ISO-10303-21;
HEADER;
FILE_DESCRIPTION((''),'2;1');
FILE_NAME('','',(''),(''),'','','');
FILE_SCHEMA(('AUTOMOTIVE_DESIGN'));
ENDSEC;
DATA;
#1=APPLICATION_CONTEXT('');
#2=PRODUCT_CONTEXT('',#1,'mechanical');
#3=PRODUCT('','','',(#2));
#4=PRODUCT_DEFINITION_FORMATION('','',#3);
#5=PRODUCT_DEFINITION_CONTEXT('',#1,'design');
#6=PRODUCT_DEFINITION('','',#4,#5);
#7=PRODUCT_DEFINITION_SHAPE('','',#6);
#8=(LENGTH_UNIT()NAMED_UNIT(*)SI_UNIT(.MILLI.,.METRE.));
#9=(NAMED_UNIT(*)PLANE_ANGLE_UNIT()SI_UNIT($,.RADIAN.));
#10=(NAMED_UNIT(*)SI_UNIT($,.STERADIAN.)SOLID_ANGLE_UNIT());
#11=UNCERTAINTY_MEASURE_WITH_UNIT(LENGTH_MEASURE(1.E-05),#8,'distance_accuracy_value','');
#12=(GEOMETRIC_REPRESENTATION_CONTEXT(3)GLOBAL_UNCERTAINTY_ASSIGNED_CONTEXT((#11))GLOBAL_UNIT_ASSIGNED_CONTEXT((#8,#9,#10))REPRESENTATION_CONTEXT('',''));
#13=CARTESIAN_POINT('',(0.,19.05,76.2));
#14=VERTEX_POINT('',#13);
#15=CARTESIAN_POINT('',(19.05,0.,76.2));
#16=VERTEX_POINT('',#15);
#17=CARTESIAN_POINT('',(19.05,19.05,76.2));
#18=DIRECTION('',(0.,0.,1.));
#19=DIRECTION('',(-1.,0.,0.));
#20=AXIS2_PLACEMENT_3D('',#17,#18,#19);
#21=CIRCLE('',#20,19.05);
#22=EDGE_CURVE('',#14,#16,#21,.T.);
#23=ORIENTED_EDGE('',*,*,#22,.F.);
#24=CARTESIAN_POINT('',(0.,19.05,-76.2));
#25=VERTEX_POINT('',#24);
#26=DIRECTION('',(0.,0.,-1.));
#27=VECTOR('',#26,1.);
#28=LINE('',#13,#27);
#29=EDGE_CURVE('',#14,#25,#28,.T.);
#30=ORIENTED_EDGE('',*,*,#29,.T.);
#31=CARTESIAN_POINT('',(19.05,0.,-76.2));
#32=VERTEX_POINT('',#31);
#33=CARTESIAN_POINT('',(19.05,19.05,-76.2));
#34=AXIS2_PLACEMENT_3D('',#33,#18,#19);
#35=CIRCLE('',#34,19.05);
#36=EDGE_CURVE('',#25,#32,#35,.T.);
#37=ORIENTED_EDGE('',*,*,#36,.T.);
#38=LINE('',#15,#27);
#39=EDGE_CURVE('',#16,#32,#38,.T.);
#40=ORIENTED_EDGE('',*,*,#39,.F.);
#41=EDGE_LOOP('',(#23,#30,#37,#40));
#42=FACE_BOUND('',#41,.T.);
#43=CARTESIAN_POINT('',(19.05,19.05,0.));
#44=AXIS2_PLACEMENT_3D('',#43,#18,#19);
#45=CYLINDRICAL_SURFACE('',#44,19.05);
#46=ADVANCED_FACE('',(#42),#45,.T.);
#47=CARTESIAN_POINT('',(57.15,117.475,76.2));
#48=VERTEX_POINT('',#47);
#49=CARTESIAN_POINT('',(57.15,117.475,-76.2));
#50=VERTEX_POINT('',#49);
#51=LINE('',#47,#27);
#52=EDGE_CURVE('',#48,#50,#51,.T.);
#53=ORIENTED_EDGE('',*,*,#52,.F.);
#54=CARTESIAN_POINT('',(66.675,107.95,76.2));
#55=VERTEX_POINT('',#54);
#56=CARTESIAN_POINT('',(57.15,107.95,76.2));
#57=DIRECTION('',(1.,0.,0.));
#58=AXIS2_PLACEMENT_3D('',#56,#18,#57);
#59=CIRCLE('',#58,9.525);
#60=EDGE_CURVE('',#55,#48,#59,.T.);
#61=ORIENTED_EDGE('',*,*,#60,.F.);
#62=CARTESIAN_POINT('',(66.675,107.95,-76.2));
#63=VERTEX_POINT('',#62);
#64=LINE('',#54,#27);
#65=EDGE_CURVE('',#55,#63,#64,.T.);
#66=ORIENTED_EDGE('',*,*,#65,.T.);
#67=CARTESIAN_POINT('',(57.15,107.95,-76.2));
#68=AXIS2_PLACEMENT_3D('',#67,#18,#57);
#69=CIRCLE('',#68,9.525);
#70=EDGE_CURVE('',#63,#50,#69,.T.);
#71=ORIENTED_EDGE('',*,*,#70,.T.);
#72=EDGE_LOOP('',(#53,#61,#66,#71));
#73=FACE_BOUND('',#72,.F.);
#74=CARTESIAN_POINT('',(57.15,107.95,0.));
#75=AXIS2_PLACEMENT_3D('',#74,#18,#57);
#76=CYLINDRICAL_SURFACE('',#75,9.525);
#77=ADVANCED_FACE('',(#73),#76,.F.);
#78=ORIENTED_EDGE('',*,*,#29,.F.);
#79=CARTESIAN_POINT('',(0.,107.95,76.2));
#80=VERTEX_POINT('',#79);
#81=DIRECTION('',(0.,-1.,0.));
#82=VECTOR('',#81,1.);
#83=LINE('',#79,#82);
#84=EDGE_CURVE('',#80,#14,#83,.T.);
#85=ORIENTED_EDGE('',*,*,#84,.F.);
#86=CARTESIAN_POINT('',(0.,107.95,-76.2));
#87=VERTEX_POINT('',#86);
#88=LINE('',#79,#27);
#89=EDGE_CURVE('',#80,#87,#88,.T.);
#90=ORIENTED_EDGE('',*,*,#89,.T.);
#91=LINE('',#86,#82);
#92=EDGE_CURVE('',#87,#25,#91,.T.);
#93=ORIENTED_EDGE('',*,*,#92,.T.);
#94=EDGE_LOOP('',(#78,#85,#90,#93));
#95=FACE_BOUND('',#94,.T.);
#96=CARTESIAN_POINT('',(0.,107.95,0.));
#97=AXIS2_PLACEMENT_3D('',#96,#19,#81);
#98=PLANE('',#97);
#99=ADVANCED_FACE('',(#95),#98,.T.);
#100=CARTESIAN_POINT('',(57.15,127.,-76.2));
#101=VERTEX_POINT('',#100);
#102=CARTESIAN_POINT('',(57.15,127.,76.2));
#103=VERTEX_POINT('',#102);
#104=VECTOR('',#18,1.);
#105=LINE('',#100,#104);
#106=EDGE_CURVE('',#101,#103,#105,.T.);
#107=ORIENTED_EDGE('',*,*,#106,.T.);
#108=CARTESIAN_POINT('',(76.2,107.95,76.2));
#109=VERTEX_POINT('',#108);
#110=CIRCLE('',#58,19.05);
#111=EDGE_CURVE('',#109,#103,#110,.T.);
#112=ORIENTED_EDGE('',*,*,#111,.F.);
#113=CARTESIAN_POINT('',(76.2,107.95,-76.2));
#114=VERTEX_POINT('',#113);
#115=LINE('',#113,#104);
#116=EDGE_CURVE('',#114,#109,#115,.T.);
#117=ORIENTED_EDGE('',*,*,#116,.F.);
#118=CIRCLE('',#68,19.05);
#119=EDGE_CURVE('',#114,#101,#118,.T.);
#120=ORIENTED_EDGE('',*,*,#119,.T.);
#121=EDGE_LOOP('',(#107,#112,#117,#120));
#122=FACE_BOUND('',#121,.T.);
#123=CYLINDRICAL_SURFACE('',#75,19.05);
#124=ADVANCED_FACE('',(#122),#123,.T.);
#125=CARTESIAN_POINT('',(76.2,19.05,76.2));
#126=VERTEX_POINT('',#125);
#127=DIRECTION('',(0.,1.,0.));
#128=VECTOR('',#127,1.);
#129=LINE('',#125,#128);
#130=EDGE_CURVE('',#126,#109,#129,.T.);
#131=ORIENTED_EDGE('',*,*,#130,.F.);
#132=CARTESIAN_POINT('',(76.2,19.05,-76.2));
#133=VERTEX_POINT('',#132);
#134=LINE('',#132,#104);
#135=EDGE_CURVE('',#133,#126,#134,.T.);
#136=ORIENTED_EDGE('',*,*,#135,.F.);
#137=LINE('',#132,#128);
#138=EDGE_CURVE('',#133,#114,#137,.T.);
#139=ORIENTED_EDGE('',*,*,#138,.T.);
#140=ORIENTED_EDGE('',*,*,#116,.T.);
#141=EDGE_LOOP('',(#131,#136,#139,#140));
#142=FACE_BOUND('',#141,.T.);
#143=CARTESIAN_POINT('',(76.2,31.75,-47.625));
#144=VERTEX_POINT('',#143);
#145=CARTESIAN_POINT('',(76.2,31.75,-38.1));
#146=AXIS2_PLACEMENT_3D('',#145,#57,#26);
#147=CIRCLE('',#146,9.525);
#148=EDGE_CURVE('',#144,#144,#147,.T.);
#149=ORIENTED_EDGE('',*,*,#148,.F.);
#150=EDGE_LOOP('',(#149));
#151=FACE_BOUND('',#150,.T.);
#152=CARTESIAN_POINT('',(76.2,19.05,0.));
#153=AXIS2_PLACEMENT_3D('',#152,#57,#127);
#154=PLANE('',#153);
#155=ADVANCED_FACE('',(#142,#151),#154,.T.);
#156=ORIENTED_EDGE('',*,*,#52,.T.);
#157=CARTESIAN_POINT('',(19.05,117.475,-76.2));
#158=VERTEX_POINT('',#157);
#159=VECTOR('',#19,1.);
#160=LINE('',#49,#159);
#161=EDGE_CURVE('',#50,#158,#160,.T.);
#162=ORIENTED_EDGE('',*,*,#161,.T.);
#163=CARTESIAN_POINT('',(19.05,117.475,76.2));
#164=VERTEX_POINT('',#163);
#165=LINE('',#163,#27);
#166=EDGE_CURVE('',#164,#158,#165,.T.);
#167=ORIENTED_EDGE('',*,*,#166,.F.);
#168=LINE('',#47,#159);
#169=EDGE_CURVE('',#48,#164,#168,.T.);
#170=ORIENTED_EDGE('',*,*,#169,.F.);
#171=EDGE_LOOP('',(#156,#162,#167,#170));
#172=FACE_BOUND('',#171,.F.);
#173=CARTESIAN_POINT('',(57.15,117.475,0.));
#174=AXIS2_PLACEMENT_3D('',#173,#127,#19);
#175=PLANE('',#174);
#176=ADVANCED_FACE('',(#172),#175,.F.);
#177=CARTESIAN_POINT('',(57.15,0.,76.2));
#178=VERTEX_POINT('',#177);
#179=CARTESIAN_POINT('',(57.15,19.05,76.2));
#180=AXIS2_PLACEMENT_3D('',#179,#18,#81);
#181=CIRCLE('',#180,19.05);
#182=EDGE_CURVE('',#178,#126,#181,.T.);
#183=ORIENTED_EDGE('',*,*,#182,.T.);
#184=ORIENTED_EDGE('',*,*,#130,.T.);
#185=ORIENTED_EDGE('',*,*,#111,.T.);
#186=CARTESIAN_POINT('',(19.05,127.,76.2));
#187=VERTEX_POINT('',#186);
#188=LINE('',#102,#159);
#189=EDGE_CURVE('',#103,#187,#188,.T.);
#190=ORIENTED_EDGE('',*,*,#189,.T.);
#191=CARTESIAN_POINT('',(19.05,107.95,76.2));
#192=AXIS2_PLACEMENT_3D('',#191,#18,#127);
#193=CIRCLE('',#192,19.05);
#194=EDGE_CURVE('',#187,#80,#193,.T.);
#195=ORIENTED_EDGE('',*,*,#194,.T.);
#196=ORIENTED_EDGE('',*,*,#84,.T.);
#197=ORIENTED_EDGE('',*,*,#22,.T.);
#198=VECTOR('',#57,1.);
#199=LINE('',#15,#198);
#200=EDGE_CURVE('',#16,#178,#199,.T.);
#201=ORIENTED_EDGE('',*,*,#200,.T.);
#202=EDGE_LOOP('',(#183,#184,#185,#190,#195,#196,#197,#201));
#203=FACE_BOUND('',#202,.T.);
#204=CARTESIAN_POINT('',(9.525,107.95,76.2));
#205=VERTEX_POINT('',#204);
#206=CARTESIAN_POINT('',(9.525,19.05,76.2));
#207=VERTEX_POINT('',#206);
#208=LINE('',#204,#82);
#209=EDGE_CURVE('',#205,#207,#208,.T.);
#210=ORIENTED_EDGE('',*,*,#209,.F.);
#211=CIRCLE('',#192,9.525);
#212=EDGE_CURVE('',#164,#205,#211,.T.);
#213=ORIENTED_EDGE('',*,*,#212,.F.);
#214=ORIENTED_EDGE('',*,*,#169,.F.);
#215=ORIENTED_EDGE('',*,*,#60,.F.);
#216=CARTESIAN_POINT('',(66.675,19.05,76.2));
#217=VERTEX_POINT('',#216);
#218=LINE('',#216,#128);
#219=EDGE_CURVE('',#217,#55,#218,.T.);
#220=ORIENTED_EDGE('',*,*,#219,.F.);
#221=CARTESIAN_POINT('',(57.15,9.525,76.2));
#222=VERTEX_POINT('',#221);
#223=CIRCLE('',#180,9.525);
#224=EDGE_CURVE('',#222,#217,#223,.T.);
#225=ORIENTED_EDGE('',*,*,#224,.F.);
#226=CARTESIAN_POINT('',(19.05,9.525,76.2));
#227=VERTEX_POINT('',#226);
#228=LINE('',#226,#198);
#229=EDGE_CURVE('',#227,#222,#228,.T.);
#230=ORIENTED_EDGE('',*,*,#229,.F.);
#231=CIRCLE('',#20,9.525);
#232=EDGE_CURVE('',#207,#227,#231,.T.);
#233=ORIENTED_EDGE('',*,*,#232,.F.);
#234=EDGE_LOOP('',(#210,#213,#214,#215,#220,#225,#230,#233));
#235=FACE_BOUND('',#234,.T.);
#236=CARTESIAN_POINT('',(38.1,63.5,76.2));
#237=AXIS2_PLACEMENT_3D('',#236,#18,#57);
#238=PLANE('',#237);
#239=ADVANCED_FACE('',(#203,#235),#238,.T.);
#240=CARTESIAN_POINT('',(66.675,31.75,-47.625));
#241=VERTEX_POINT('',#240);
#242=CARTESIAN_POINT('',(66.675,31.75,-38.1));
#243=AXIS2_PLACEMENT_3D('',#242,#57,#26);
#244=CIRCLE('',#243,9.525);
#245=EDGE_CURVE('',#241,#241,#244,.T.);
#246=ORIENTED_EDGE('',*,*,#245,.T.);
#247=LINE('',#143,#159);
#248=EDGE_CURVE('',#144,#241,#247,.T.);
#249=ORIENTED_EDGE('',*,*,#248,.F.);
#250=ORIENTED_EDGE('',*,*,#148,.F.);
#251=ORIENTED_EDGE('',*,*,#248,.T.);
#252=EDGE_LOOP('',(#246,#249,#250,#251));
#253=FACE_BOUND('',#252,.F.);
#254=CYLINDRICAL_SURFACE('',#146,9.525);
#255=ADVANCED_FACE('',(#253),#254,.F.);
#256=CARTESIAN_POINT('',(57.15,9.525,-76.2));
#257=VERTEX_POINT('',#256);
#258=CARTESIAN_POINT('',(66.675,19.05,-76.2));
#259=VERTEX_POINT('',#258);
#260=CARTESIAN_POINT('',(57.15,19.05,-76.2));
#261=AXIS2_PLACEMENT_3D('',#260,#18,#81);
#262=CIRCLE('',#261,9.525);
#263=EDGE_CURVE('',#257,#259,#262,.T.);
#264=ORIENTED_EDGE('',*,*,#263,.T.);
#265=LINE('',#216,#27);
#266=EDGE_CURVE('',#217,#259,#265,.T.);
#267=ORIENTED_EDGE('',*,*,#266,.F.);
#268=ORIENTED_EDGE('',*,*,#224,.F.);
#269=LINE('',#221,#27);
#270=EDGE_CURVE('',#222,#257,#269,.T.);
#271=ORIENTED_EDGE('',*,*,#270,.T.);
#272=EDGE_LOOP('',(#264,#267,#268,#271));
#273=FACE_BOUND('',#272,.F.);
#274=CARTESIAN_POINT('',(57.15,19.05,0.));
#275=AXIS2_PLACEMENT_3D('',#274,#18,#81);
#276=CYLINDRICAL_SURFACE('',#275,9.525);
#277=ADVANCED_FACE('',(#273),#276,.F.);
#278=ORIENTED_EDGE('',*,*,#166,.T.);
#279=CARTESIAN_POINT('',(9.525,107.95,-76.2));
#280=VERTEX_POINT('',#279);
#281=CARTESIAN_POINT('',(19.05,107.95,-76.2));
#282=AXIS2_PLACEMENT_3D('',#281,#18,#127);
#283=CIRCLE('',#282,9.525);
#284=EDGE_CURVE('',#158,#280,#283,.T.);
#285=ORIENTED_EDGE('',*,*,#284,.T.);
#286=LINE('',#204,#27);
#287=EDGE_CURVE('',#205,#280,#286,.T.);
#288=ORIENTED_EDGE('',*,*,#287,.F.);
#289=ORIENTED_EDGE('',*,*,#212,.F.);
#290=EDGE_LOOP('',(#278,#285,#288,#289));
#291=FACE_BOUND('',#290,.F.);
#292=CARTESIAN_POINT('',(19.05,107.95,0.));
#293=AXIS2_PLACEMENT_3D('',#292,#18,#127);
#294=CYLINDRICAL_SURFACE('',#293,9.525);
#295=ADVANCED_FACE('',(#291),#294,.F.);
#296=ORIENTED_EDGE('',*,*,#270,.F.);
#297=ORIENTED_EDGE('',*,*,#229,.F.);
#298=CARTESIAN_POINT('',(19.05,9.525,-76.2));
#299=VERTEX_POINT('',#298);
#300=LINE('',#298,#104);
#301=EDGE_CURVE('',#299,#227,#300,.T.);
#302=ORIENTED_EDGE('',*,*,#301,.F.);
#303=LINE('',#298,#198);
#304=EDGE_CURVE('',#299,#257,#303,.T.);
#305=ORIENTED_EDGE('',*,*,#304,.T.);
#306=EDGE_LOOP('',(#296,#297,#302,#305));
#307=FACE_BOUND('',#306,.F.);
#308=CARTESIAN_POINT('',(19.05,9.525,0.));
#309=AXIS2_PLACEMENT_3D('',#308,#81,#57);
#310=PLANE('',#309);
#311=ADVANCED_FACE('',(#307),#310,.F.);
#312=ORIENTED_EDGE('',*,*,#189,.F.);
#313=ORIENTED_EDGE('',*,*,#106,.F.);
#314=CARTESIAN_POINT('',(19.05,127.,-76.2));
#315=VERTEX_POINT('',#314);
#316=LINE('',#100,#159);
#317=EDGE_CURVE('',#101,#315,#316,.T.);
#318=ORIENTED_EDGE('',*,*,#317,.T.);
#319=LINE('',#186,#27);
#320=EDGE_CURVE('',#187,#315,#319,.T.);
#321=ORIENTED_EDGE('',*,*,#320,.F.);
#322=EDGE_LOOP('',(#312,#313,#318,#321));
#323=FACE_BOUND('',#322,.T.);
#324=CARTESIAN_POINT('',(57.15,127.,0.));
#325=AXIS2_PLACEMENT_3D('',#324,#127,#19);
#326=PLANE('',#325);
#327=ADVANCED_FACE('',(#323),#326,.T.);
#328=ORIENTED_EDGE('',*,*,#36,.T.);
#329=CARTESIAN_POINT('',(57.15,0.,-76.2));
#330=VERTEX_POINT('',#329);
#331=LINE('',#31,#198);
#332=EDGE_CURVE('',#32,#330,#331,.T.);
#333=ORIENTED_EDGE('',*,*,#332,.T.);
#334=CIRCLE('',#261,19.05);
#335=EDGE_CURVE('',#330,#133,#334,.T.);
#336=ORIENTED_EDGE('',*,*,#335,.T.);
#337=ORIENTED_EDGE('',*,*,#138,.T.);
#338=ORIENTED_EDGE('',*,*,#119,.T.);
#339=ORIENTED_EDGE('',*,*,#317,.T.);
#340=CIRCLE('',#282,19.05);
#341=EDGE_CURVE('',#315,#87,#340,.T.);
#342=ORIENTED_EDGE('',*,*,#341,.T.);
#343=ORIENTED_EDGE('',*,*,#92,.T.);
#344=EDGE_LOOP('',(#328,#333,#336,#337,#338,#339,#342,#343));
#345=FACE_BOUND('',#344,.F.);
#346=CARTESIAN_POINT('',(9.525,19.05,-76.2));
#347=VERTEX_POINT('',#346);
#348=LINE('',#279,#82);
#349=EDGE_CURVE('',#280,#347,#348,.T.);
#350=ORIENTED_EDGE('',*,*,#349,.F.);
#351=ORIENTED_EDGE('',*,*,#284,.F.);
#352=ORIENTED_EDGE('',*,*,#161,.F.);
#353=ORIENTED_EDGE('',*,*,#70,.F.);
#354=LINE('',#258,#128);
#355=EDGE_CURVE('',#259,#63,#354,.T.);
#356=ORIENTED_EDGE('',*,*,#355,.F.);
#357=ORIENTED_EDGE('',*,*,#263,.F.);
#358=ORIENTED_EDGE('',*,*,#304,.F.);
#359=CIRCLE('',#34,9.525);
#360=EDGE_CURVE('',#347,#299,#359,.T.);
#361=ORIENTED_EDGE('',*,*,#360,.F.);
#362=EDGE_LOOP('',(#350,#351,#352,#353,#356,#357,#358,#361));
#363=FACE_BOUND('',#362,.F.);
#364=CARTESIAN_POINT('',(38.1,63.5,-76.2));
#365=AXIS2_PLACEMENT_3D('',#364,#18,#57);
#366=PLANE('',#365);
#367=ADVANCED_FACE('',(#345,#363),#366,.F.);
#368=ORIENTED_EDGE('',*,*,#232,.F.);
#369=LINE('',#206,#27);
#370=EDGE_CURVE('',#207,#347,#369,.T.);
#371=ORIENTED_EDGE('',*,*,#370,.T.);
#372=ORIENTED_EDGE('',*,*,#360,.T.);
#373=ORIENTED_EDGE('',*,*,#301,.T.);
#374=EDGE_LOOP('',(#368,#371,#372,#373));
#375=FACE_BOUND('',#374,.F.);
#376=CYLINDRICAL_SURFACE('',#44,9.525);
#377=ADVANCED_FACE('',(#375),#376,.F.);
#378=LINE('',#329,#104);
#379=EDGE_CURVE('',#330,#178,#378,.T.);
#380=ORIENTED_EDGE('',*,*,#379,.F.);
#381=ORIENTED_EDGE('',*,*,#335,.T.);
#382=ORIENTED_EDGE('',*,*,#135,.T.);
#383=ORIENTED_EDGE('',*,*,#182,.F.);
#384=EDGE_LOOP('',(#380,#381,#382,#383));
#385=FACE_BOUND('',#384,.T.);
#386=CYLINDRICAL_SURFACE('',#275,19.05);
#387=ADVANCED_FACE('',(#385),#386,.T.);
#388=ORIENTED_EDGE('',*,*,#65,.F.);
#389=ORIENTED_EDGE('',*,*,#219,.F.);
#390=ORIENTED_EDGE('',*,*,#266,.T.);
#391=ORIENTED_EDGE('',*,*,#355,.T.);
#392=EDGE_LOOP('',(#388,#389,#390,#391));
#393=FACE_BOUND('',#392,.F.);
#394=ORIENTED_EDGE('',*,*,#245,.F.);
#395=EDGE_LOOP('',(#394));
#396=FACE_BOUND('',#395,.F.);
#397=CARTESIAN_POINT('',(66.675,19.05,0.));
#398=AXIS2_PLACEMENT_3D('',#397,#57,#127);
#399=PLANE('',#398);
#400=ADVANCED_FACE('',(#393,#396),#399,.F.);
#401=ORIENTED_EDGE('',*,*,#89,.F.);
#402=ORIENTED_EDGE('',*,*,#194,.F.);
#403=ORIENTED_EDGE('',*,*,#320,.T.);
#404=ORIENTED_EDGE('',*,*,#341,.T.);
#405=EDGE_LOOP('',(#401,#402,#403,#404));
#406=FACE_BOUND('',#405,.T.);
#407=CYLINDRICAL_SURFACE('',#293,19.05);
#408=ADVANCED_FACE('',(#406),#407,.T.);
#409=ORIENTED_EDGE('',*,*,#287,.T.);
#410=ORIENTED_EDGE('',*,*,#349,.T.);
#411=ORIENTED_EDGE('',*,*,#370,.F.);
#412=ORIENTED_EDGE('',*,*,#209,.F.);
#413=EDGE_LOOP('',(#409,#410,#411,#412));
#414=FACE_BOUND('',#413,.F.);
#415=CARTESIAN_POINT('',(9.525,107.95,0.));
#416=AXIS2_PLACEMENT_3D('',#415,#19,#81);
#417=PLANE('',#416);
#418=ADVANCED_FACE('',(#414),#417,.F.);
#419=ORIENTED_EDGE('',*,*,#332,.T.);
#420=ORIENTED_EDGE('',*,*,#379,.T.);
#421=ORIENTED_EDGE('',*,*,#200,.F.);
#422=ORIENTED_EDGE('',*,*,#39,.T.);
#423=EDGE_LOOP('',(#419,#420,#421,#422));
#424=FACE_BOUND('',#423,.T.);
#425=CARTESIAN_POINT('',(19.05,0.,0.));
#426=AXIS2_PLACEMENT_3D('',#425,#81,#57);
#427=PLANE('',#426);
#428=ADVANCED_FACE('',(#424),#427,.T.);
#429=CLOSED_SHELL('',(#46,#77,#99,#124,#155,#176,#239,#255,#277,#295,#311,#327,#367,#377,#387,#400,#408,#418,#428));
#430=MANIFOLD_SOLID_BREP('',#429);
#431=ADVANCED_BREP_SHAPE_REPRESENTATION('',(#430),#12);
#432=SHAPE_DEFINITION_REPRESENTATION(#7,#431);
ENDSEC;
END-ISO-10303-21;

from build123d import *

# Parameters (mm, degrees)
BASETUBER_DEPTH    = 76.2
CUT_EXTRUDE2_REACH = 78.2
SKETCH3_R          = 9.525


with BuildPart() as part:
    # Sketch1 → BaseTubeR (new body, symmetric)
    with BuildSketch(Plane.XY):
        with BuildLine():
            Line((19.05, 0), (57.15, 0))
            ThreePointArc((57.15, 0), (70.620384182, 5.579615818), (76.2, 19.05))
            Line((76.2, 19.05), (76.2, 107.95))
            ThreePointArc((76.2, 107.95), (70.620384182, 121.420384182), (57.15, 127))
            Line((57.15, 127), (19.05, 127))
            ThreePointArc((19.05, 127), (5.579615818, 121.420384182), (0, 107.95))
            Line((0, 107.95), (0, 19.05))
            ThreePointArc((0, 19.05), (5.579615818, 5.579615818), (19.05, 0))
        make_face()
        with BuildLine():
            Line((19.05, 9.525), (57.15, 9.525))
            ThreePointArc((57.15, 9.525), (63.885192091, 12.314807909), (66.675, 19.05))
            Line((66.675, 19.05), (66.675, 107.95))
            ThreePointArc((66.675, 107.95), (63.885192091, 114.685192091), (57.15, 117.475))
            Line((57.15, 117.475), (19.05, 117.475))
            ThreePointArc((19.05, 117.475), (12.314807909, 114.685192091), (9.525, 107.95))
            Line((9.525, 107.95), (9.525, 19.05))
            ThreePointArc((9.525, 19.05), (12.314807909, 12.314807909), (19.05, 9.525))
        make_face(mode=Mode.SUBTRACT)
    extrude(amount=BASETUBER_DEPTH, both=True)

    # Sketch3 → Cut-Extrude2 (cut, up to next)
    with BuildSketch(Plane(origin=(76.2, 0, 0), x_dir=(0, 0, -1), z_dir=(1, 0, 0)), mode=Mode.PRIVATE) as cut_extrude2_sk1:
        with Locations((38.1, 31.75)):
            Circle(SKETCH3_R)
    cut_extrude2_tool1 = extrude(cut_extrude2_sk1.sketch, amount=-CUT_EXTRUDE2_REACH, mode=Mode.PRIVATE) & part.part
    add(cut_extrude2_tool1.solids().sort_by_distance((76.2, 31.75, -38.1))[0], mode=Mode.SUBTRACT)


solid = part.part
